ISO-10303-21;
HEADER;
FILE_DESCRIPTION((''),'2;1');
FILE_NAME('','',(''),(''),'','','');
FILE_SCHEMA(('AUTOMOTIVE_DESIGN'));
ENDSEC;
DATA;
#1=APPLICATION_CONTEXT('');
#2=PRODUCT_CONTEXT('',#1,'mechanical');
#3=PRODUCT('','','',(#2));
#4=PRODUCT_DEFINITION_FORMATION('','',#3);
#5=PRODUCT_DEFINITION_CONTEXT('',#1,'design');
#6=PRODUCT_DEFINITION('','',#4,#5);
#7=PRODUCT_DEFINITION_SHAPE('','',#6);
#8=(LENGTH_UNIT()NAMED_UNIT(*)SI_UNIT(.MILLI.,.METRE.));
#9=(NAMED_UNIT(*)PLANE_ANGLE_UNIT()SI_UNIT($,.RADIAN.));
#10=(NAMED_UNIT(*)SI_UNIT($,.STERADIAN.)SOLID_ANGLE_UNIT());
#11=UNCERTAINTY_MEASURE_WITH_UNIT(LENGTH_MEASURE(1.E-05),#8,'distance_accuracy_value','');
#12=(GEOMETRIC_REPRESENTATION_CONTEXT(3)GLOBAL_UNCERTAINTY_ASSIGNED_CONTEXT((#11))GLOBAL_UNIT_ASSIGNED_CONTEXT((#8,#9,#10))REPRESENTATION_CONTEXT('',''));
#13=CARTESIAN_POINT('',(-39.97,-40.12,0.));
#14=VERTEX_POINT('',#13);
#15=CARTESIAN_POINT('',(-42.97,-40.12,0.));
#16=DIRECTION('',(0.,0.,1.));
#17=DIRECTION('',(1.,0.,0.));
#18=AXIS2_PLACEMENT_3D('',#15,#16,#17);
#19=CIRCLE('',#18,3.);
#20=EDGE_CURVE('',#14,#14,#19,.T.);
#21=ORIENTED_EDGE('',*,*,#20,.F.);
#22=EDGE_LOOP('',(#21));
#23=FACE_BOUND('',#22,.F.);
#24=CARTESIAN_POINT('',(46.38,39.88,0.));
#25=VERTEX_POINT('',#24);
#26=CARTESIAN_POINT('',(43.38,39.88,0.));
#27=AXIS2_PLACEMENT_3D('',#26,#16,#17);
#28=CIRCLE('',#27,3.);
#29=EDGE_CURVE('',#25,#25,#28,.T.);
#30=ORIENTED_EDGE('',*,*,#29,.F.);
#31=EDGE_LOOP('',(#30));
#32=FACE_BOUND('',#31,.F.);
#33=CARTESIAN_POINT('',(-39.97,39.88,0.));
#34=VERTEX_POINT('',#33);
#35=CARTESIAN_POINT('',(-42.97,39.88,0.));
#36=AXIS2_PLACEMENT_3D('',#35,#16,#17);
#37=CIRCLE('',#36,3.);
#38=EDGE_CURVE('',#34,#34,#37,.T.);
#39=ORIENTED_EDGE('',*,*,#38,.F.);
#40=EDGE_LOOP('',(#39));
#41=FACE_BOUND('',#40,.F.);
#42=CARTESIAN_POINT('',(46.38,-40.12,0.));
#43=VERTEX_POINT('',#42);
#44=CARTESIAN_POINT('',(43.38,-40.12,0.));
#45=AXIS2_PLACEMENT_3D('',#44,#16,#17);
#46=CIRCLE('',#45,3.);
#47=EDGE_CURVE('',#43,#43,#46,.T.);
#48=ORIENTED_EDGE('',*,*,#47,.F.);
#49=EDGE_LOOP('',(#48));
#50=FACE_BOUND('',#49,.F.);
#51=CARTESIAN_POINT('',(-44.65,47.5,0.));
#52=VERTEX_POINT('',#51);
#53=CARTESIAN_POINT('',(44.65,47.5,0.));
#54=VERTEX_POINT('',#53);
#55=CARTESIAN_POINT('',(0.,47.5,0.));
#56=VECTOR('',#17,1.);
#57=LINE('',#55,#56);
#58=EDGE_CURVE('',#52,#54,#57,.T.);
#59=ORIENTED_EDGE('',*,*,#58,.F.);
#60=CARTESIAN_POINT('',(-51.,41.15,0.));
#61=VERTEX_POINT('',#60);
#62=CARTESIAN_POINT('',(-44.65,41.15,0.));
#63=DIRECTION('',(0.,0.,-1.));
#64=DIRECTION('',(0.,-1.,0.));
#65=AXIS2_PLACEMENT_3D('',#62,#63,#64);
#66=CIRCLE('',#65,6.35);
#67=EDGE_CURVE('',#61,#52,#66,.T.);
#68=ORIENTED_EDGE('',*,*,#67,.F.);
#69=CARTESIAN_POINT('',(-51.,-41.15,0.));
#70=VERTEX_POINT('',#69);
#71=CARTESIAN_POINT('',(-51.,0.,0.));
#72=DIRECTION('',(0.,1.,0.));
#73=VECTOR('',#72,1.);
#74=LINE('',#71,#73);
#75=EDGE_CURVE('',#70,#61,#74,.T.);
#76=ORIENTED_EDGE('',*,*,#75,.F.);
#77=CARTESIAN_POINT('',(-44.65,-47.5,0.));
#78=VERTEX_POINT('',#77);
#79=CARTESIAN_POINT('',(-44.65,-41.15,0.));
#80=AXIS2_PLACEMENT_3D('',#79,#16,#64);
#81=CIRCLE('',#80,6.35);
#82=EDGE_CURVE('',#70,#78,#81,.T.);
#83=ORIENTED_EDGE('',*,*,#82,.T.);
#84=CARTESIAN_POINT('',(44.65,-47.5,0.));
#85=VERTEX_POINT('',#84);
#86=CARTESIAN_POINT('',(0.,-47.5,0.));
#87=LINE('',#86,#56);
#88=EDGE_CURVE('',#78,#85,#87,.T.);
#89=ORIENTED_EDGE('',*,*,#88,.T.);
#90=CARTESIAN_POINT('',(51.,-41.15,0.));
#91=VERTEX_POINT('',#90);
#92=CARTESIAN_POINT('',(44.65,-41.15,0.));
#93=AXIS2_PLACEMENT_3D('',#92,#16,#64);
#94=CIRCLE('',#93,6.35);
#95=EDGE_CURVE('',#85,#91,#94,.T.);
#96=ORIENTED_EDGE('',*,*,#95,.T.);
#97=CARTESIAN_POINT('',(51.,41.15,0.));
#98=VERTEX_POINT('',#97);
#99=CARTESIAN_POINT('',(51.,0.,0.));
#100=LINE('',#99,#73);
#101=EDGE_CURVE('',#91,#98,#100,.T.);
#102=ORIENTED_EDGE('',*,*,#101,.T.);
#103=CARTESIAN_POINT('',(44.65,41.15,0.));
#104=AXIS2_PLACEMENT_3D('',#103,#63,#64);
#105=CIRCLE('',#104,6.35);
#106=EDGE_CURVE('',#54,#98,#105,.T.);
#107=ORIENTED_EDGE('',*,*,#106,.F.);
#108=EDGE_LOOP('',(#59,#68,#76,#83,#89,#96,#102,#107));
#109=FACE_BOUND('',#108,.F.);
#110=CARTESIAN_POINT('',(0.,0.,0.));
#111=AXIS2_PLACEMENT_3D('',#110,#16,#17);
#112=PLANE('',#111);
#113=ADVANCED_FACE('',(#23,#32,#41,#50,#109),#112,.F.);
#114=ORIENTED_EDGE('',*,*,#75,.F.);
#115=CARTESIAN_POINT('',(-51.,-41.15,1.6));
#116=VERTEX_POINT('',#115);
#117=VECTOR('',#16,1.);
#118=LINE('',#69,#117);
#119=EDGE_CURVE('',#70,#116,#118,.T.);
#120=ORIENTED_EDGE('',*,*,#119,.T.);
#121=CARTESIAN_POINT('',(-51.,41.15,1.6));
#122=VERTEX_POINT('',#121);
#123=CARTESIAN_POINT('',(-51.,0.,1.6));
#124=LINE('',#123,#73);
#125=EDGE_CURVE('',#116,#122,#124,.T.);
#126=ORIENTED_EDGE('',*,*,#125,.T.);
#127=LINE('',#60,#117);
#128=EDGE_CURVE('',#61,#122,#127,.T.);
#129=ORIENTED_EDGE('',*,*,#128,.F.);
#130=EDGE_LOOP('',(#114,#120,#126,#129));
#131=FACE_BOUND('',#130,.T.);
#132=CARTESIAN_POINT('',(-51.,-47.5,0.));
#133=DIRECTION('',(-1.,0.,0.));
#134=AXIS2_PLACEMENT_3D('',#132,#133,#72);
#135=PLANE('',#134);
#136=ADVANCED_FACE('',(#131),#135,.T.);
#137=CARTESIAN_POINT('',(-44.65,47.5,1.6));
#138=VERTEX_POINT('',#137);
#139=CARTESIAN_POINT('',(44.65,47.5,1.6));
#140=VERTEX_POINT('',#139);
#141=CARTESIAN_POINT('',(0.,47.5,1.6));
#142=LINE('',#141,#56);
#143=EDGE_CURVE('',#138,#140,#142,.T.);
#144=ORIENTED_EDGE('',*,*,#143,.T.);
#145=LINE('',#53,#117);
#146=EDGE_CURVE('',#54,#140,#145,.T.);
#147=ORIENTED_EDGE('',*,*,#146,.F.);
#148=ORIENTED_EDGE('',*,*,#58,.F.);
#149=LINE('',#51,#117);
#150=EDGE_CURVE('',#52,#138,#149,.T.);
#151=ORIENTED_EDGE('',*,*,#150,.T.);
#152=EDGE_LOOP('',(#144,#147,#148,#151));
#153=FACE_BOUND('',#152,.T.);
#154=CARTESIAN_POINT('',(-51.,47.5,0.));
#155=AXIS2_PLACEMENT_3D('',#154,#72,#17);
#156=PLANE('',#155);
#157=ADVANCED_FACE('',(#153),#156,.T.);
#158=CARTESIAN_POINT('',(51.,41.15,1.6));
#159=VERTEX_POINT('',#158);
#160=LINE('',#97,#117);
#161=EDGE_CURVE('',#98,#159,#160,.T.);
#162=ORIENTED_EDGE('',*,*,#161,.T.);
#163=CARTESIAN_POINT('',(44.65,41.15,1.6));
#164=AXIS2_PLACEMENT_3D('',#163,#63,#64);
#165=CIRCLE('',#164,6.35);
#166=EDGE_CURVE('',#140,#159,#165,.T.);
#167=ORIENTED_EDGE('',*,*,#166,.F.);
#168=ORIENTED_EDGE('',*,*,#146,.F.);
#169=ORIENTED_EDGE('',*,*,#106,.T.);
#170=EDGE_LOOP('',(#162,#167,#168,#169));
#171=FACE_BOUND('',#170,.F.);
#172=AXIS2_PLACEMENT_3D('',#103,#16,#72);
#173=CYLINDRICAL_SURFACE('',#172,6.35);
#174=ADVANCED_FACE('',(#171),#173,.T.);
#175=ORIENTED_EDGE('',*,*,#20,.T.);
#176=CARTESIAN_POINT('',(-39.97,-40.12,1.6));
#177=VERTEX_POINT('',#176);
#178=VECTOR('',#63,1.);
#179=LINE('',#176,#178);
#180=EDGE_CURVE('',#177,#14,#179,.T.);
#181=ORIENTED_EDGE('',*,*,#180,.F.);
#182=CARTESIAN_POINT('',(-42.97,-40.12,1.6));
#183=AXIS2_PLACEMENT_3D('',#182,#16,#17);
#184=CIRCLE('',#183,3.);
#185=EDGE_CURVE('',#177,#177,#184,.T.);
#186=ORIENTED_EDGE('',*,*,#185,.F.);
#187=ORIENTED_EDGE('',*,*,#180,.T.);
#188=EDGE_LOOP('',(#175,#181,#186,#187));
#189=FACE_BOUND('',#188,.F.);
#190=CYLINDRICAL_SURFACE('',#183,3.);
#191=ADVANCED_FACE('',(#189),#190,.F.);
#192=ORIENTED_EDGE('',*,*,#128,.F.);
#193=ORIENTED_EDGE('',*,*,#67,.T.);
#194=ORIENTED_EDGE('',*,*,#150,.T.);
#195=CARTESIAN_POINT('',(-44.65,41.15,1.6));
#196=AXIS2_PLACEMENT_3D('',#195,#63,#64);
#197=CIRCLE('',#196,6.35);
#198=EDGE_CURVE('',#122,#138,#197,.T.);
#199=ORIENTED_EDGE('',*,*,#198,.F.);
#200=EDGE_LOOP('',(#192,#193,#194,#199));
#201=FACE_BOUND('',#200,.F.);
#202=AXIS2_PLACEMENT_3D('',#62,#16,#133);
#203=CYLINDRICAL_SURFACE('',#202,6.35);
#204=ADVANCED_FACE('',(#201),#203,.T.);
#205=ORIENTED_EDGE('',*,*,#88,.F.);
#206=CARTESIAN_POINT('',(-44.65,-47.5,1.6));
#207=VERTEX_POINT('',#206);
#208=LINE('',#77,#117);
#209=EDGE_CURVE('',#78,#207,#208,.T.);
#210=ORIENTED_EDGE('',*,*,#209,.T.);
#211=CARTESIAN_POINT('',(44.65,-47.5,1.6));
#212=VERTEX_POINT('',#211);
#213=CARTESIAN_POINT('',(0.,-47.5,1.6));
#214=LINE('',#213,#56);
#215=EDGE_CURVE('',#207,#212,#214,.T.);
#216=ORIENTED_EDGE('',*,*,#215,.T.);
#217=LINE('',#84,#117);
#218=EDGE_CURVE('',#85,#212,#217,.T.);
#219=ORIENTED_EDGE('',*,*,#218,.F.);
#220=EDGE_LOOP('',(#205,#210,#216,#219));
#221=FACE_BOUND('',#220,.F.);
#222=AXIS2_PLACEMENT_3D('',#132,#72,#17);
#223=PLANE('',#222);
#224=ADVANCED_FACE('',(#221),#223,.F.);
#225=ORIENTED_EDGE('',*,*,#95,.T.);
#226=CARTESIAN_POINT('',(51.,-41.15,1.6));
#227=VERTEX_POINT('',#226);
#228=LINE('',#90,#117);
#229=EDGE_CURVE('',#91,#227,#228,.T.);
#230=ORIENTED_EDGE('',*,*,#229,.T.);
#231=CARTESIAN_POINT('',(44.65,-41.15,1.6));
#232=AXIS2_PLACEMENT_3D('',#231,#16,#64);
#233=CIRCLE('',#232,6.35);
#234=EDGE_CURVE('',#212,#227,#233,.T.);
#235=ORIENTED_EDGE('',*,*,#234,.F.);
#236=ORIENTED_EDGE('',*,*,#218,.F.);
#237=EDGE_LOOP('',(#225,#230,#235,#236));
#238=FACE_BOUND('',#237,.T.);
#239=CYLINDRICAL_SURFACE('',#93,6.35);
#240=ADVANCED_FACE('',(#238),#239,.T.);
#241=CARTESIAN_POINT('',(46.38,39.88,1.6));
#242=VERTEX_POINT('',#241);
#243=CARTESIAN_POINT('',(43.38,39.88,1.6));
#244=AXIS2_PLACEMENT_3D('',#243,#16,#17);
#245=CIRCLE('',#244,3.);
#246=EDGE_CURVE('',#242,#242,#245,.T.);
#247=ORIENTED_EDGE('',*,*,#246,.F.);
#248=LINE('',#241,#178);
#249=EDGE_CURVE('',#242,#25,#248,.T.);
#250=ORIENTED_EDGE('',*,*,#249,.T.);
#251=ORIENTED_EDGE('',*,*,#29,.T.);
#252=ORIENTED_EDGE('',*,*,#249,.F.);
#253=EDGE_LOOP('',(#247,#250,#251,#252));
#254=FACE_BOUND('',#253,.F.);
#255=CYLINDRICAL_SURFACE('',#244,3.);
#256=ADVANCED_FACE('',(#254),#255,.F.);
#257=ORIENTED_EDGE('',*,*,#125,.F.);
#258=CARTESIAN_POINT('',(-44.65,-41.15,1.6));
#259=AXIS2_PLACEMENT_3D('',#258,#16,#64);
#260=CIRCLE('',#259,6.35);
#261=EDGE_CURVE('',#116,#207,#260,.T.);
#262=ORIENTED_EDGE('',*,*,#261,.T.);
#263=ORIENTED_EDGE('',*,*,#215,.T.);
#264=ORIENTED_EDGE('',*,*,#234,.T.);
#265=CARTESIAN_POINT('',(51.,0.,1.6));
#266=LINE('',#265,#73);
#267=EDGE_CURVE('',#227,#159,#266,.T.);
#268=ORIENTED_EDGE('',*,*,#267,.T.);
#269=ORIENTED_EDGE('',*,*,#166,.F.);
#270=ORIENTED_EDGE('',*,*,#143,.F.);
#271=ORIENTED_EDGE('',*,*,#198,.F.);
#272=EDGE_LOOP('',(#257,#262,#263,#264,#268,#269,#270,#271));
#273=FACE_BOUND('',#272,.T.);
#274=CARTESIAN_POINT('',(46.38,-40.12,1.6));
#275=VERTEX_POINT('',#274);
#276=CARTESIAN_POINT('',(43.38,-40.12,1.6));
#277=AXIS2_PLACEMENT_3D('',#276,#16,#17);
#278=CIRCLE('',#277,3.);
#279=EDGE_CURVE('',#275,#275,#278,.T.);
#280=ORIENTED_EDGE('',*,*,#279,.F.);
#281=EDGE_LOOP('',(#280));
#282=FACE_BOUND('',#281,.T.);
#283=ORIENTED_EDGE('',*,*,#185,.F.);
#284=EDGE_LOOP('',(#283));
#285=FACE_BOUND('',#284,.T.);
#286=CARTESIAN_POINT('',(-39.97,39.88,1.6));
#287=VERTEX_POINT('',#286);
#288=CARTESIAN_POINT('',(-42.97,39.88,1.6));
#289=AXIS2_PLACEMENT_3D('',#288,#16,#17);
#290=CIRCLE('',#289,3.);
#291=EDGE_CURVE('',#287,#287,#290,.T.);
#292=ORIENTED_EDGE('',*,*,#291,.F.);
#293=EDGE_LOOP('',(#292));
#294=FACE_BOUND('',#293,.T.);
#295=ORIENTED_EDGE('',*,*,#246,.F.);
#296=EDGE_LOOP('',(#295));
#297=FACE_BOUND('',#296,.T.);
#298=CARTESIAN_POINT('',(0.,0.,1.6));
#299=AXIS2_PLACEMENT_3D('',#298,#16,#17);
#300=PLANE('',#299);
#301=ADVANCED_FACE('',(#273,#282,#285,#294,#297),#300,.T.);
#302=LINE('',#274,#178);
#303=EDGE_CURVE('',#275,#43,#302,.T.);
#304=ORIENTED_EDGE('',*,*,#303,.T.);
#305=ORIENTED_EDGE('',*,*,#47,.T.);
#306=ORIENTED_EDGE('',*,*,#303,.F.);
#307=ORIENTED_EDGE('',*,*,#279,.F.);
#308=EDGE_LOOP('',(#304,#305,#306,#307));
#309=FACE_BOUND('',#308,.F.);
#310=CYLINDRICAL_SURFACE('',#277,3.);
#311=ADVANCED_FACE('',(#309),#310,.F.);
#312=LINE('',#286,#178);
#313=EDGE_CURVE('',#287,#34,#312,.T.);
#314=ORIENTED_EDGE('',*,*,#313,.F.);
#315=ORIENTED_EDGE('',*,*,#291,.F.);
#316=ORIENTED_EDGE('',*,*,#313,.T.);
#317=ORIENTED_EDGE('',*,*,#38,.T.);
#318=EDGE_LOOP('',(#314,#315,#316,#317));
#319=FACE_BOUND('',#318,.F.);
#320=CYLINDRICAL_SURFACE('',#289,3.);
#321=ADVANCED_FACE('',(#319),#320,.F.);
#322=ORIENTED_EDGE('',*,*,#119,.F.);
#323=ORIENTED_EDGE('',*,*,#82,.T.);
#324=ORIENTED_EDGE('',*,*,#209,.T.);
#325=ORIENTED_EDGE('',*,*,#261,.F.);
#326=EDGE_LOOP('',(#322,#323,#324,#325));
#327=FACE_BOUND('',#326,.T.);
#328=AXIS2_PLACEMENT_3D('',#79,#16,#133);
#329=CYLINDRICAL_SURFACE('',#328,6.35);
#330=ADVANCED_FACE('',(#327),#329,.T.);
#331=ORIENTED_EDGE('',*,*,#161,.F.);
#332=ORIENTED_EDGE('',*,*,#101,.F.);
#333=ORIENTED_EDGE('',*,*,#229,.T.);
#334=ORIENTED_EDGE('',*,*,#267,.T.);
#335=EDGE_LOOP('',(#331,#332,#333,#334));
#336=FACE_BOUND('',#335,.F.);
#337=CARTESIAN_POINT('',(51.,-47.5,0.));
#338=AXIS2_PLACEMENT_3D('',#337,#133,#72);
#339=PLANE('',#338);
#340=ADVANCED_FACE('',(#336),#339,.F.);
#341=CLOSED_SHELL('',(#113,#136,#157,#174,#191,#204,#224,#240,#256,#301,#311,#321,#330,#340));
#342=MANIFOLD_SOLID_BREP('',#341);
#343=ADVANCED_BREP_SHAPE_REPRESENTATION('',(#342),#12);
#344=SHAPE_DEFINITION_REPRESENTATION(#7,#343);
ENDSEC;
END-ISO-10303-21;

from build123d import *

# Parameters (mm, degrees)
SKETCH086_W   = 102
SKETCH086_H   = 95
PAD035_DEPTH  = 1.6
SKETCH087_R   = 3
HOLE010_DEPTH = 25
FILLET044_R   = 6.35


with BuildPart() as part:
    # Sketch086 → Pad035 (new body)
    with BuildSketch(Plane.XY):
        Rectangle(SKETCH086_W, SKETCH086_H)
    extrude(amount=PAD035_DEPTH)

    # Sketch087 (on Face6 of Pad035) → Hole010 (cut)
    with BuildSketch(Plane.XY.offset(1.6)):
        with Locations((43.38, 39.88)):
            Circle(SKETCH087_R)
        with Locations((43.38, -40.12)):
            Circle(SKETCH087_R)
        with Locations((-42.97, -40.12)):
            Circle(SKETCH087_R)
        with Locations((-42.97, 39.88)):
            Circle(SKETCH087_R)
    extrude(amount=-HOLE010_DEPTH, mode=Mode.SUBTRACT)

    # Fillet044
    fillet044_edges = [part.edges().sort_by_distance(p)[0] for p in [
        (-51, -47.5, 0.8),
        (-51, 47.5, 0.8),
        (51, 47.5, 0.8),
        (51, -47.5, 0.8),
    ]]
    fillet(fillet044_edges, radius=FILLET044_R)


solid = part.part
